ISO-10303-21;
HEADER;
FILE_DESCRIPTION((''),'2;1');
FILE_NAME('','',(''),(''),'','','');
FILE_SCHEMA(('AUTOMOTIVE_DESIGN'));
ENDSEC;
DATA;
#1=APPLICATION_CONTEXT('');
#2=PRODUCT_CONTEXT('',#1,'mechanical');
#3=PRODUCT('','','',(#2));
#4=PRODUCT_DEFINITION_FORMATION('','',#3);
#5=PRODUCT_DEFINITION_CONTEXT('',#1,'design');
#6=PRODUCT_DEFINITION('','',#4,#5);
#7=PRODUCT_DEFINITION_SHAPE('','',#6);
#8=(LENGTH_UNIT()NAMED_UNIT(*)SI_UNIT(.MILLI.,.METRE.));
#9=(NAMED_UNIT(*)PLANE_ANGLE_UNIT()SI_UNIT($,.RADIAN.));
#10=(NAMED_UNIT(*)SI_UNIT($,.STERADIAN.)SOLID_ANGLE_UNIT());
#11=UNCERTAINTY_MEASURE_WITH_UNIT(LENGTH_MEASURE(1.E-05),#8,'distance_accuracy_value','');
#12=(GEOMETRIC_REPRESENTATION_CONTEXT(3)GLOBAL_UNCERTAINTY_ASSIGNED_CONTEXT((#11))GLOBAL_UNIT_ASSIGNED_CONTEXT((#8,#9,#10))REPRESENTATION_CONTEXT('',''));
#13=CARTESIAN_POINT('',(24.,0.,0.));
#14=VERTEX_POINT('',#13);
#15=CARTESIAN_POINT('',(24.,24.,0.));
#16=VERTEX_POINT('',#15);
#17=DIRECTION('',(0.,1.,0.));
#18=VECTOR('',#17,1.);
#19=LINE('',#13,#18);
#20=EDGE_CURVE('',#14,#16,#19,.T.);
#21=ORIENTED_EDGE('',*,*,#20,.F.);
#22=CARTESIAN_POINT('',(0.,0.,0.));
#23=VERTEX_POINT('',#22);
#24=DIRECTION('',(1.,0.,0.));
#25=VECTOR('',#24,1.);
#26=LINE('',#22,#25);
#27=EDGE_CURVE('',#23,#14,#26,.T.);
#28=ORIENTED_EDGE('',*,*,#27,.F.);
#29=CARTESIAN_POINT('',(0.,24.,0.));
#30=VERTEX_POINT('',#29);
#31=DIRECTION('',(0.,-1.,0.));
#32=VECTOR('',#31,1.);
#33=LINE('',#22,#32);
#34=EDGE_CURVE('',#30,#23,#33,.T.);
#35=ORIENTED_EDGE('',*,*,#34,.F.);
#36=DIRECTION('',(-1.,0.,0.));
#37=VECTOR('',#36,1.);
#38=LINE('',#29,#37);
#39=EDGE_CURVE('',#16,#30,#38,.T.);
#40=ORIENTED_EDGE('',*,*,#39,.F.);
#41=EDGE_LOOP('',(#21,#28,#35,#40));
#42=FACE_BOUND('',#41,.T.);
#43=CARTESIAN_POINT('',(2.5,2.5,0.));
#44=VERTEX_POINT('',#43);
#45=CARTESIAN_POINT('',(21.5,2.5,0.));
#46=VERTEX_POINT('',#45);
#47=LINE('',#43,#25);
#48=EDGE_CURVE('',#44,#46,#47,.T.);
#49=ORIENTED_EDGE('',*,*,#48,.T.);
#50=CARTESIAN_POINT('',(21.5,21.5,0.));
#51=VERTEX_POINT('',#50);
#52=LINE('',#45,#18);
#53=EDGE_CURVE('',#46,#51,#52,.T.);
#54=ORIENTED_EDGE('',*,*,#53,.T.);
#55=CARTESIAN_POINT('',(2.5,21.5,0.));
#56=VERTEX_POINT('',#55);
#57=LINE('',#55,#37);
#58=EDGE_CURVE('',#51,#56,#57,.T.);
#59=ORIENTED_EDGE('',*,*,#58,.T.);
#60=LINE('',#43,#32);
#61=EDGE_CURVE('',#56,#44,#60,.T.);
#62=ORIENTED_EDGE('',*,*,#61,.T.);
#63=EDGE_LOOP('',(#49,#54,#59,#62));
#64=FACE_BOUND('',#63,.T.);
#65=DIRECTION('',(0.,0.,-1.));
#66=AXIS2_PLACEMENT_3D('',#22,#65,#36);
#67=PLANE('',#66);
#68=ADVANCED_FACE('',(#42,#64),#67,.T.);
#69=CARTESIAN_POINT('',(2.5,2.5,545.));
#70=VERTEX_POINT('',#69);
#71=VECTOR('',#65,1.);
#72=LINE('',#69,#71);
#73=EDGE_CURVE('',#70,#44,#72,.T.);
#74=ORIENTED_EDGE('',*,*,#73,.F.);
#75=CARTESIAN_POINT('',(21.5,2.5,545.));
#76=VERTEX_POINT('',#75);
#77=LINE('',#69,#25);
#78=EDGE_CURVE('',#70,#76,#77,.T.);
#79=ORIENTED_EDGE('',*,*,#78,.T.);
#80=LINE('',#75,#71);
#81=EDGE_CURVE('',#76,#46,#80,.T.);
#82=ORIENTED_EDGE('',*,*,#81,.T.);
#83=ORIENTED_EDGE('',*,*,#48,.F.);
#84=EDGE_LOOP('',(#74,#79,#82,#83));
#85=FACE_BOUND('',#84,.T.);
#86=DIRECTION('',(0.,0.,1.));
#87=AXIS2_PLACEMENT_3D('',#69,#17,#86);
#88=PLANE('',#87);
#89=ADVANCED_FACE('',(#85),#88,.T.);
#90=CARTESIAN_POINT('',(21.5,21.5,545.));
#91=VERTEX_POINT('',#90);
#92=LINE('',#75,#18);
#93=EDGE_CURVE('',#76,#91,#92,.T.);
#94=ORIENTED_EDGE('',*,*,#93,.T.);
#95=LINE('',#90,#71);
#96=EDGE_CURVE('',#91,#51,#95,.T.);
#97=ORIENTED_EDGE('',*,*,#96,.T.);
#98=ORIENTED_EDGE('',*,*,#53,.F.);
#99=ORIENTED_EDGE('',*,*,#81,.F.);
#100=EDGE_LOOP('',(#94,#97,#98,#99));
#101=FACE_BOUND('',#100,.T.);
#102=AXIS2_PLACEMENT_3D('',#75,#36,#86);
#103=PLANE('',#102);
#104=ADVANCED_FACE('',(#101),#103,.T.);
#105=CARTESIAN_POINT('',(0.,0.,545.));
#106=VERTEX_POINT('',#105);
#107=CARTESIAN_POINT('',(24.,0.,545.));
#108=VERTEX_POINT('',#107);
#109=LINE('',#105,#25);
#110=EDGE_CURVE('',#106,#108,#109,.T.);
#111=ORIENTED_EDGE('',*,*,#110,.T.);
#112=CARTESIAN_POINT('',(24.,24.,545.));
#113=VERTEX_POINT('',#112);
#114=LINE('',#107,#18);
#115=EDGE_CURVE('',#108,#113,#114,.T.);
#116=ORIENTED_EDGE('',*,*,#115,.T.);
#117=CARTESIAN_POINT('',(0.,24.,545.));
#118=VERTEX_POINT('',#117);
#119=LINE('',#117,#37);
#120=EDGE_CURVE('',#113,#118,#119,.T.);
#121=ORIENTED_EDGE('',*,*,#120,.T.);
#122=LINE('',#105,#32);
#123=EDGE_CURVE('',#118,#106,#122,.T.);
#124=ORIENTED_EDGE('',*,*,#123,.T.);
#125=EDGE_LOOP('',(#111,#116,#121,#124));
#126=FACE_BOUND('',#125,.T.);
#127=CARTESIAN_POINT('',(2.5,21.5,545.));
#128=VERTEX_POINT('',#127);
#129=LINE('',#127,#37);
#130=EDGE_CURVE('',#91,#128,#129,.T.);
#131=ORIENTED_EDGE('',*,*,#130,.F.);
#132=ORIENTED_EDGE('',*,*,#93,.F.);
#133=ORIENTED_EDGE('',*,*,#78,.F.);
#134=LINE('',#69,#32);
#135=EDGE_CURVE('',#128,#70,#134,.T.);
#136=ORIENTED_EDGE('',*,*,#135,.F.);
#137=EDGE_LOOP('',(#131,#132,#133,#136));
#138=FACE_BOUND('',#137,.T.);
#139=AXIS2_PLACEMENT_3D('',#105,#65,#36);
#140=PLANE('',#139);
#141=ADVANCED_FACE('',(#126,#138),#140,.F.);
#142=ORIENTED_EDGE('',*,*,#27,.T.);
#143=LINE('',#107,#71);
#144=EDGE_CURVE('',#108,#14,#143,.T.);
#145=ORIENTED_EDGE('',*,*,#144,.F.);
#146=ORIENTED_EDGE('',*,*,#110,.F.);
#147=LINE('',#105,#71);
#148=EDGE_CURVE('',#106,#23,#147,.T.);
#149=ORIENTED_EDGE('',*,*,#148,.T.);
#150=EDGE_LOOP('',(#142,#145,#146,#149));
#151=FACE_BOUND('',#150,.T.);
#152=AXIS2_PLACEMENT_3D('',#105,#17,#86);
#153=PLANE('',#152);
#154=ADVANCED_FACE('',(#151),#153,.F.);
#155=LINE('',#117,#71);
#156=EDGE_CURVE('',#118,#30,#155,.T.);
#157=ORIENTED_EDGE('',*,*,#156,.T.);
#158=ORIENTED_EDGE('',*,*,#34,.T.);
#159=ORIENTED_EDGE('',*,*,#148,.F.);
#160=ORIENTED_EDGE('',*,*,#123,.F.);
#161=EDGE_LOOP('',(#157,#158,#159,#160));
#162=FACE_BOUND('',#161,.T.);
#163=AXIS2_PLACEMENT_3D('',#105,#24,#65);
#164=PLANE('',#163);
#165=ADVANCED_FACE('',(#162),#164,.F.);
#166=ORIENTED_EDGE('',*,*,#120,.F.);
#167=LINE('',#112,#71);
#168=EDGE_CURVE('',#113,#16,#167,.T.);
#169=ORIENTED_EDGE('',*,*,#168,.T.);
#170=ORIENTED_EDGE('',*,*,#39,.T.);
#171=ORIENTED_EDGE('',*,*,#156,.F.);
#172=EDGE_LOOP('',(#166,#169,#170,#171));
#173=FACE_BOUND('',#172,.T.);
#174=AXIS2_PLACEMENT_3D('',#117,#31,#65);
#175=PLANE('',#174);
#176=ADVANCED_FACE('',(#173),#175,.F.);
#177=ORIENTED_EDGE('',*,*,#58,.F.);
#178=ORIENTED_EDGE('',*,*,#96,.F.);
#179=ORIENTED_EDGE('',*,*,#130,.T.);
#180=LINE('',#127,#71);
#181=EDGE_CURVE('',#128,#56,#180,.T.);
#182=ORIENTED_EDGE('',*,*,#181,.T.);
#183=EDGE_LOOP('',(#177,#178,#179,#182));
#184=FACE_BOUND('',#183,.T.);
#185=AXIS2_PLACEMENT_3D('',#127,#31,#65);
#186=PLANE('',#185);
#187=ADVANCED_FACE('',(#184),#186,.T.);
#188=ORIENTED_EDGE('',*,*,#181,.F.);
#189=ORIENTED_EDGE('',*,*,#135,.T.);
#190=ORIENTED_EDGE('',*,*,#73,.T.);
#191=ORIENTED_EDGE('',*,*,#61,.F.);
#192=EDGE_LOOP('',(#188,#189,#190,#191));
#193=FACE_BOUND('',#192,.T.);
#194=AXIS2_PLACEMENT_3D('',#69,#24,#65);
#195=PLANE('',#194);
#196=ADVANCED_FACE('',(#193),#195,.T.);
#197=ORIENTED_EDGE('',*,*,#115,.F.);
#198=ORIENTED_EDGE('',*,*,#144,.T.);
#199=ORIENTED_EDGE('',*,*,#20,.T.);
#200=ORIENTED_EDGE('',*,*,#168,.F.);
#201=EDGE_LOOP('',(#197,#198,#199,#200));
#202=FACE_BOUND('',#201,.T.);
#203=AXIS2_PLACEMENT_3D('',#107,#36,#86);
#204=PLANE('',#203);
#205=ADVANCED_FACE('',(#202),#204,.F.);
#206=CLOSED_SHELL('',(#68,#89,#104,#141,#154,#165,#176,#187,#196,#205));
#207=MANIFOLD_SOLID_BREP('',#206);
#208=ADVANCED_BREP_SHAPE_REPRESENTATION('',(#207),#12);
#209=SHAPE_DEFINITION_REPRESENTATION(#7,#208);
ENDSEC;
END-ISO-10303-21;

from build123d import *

# Parameters (mm, degrees)
SKETCH_1_W      = 24
SKETCH_1_H      = 24
SKETCH_1_W_2    = 19
SKETCH_1_H_2    = 19
EXTRUDE_1_DEPTH = 545


with BuildPart() as part:
    # 草图1 → 凸台-拉伸1 (new body)
    with BuildSketch(Plane.XY):
        with Locations((12, 12)):
            Rectangle(SKETCH_1_W, SKETCH_1_H)
        with Locations((12, 12)):
            Rectangle(SKETCH_1_W_2, SKETCH_1_H_2, mode=Mode.SUBTRACT)
    extrude(amount=EXTRUDE_1_DEPTH)


solid = part.part
